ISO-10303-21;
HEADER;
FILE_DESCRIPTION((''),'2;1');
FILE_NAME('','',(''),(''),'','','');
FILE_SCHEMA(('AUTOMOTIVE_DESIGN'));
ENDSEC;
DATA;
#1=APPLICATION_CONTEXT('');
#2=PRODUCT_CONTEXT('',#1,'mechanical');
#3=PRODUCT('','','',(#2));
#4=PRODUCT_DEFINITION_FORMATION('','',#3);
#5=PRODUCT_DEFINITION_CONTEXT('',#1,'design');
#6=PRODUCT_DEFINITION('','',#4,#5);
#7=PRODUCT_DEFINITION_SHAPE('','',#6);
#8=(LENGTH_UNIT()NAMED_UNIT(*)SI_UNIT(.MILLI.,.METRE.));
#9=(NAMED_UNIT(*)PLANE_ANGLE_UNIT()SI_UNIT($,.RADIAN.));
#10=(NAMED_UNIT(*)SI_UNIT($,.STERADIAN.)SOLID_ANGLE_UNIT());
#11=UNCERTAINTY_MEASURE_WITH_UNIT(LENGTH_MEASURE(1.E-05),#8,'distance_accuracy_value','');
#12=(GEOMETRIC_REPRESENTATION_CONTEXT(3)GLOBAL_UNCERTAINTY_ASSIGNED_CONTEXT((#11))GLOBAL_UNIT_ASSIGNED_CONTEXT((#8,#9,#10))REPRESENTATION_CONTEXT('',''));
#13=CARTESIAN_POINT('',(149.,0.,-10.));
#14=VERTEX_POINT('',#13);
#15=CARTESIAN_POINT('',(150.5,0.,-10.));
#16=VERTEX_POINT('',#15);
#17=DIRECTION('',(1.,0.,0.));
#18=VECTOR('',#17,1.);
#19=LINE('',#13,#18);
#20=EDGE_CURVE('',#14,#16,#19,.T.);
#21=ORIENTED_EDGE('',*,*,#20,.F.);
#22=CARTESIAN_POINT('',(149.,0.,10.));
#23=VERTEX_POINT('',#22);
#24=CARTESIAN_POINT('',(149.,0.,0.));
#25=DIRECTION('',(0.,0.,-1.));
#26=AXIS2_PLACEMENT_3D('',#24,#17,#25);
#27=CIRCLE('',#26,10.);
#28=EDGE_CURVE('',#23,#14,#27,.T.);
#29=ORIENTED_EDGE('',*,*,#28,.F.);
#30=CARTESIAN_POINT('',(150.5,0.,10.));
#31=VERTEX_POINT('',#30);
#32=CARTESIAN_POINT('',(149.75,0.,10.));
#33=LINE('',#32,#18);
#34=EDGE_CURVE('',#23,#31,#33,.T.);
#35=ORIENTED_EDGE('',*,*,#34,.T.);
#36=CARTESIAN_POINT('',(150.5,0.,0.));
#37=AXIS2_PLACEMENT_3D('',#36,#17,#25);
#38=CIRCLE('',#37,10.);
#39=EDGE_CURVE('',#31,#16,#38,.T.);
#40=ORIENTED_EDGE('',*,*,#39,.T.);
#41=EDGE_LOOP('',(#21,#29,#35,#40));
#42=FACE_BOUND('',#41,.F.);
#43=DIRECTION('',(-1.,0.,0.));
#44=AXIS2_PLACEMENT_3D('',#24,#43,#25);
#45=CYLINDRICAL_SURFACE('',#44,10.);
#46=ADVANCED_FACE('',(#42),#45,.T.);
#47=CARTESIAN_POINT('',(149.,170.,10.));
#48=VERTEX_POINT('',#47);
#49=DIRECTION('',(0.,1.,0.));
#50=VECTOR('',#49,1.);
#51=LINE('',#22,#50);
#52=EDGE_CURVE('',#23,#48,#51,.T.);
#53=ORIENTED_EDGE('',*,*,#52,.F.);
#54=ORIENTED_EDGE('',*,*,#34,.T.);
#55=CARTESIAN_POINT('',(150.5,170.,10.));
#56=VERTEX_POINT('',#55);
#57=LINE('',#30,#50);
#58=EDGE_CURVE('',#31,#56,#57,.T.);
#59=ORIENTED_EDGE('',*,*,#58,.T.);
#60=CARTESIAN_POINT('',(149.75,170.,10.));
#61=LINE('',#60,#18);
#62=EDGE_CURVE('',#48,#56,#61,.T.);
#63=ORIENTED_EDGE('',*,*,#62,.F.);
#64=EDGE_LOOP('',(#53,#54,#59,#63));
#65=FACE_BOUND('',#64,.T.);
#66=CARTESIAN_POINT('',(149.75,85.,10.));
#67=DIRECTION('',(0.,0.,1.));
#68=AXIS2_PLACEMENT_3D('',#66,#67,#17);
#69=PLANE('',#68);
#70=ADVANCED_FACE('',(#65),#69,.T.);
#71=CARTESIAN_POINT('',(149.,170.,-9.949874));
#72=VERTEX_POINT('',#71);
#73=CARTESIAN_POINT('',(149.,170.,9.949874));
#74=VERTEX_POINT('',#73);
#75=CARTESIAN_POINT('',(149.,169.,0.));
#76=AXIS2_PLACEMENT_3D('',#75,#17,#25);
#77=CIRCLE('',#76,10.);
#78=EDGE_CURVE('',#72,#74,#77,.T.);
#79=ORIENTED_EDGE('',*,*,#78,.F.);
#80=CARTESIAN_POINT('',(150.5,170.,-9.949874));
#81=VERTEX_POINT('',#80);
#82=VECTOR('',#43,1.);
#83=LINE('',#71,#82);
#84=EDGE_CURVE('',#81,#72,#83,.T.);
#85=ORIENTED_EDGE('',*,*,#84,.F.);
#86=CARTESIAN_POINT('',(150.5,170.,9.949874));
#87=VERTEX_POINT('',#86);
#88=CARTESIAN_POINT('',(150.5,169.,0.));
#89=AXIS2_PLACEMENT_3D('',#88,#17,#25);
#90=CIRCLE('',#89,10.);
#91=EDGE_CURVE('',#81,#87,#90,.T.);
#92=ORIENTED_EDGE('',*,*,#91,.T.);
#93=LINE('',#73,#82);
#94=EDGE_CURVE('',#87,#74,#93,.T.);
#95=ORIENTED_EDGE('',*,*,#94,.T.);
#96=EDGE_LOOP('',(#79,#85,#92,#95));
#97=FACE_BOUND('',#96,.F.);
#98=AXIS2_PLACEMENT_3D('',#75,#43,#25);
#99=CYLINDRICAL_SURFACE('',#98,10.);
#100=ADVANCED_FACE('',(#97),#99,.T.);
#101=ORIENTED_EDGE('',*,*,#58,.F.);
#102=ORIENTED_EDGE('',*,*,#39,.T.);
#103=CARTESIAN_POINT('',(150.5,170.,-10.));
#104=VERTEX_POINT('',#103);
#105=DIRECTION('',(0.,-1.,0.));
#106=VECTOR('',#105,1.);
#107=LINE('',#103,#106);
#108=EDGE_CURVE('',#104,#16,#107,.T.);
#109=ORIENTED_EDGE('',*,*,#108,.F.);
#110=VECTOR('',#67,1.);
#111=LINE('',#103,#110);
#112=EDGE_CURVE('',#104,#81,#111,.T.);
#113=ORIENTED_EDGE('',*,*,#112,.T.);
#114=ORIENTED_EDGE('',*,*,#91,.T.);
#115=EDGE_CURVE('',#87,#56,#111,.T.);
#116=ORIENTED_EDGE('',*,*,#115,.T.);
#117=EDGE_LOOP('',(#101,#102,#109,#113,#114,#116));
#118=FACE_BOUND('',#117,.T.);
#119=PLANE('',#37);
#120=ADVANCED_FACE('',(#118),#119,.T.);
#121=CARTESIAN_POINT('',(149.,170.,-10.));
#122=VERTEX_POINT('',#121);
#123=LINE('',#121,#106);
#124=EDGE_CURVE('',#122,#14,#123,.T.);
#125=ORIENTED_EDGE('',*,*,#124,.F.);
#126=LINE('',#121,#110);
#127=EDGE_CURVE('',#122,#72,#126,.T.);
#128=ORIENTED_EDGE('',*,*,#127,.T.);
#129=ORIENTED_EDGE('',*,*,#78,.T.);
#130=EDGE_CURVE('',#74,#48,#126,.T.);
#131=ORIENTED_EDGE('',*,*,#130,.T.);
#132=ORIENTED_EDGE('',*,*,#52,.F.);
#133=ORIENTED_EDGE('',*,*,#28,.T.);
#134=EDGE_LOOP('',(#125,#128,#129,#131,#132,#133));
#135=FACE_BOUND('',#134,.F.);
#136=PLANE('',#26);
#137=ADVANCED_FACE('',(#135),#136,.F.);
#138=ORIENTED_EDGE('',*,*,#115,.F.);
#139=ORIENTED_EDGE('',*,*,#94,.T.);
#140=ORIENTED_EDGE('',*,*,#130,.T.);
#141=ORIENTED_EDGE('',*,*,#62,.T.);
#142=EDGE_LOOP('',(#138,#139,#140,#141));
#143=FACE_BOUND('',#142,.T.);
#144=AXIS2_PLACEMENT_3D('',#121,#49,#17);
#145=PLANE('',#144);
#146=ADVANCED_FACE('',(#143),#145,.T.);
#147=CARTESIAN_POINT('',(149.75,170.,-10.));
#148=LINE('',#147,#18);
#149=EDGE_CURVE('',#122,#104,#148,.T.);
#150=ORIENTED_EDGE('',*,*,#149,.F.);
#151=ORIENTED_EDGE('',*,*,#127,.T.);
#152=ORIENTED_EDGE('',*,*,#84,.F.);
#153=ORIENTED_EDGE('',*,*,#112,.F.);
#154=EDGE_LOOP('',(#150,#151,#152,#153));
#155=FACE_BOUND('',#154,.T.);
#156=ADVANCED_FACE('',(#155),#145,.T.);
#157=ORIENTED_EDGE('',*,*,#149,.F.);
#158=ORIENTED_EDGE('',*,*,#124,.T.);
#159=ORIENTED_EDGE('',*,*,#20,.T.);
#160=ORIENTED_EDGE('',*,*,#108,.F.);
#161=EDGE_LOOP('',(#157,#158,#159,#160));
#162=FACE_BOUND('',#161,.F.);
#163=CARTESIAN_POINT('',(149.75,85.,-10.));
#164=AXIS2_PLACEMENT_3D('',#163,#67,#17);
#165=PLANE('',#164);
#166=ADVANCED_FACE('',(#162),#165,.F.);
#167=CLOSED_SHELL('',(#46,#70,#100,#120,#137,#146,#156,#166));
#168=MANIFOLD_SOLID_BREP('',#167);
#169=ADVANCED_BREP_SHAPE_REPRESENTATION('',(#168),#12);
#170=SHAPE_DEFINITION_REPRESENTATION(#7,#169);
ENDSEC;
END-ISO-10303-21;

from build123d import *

# Parameters (mm, degrees)
CYLINDER001_R     = 10
CYLINDER001_DEPTH = 1.5
BOX001_W          = 1.5
BOX001_H          = 170
BOX001_DEPTH      = 20
CYLINDER_R        = 10
CYLINDER_DEPTH    = 1.5


with BuildPart() as cylinder001:
    # Cylinder001 → Cylinder001 (new body)
    with BuildSketch(Plane(origin=(0, 169, 0), x_dir=(0, 0, -1), z_dir=(1, 0, 0))):
        Circle(CYLINDER001_R)
    extrude(amount=CYLINDER001_DEPTH)


with BuildPart() as cube001:
    # Box001 → Box001 (new body)
    with BuildSketch(Plane.XY.offset(-10)):
        with Locations((0.75, 85)):
            Rectangle(BOX001_W, BOX001_H)
    extrude(amount=BOX001_DEPTH)


with BuildPart() as front:
    # Cylinder → Cylinder (new body)
    with BuildSketch(Plane(origin=(0, 0, 0), x_dir=(0, 0, -1), z_dir=(1, 0, 0))):
        Circle(CYLINDER_R)
    extrude(amount=CYLINDER_DEPTH)

    # Fusion: union Cylinder001, Cube001
    add(cylinder001.part)
    add(cube001.part)


with BuildPart() as front_1:
    # Fusion placement: moved
    add(front.part.moved(Location((149, 0, 0))))


solid = front_1.part
